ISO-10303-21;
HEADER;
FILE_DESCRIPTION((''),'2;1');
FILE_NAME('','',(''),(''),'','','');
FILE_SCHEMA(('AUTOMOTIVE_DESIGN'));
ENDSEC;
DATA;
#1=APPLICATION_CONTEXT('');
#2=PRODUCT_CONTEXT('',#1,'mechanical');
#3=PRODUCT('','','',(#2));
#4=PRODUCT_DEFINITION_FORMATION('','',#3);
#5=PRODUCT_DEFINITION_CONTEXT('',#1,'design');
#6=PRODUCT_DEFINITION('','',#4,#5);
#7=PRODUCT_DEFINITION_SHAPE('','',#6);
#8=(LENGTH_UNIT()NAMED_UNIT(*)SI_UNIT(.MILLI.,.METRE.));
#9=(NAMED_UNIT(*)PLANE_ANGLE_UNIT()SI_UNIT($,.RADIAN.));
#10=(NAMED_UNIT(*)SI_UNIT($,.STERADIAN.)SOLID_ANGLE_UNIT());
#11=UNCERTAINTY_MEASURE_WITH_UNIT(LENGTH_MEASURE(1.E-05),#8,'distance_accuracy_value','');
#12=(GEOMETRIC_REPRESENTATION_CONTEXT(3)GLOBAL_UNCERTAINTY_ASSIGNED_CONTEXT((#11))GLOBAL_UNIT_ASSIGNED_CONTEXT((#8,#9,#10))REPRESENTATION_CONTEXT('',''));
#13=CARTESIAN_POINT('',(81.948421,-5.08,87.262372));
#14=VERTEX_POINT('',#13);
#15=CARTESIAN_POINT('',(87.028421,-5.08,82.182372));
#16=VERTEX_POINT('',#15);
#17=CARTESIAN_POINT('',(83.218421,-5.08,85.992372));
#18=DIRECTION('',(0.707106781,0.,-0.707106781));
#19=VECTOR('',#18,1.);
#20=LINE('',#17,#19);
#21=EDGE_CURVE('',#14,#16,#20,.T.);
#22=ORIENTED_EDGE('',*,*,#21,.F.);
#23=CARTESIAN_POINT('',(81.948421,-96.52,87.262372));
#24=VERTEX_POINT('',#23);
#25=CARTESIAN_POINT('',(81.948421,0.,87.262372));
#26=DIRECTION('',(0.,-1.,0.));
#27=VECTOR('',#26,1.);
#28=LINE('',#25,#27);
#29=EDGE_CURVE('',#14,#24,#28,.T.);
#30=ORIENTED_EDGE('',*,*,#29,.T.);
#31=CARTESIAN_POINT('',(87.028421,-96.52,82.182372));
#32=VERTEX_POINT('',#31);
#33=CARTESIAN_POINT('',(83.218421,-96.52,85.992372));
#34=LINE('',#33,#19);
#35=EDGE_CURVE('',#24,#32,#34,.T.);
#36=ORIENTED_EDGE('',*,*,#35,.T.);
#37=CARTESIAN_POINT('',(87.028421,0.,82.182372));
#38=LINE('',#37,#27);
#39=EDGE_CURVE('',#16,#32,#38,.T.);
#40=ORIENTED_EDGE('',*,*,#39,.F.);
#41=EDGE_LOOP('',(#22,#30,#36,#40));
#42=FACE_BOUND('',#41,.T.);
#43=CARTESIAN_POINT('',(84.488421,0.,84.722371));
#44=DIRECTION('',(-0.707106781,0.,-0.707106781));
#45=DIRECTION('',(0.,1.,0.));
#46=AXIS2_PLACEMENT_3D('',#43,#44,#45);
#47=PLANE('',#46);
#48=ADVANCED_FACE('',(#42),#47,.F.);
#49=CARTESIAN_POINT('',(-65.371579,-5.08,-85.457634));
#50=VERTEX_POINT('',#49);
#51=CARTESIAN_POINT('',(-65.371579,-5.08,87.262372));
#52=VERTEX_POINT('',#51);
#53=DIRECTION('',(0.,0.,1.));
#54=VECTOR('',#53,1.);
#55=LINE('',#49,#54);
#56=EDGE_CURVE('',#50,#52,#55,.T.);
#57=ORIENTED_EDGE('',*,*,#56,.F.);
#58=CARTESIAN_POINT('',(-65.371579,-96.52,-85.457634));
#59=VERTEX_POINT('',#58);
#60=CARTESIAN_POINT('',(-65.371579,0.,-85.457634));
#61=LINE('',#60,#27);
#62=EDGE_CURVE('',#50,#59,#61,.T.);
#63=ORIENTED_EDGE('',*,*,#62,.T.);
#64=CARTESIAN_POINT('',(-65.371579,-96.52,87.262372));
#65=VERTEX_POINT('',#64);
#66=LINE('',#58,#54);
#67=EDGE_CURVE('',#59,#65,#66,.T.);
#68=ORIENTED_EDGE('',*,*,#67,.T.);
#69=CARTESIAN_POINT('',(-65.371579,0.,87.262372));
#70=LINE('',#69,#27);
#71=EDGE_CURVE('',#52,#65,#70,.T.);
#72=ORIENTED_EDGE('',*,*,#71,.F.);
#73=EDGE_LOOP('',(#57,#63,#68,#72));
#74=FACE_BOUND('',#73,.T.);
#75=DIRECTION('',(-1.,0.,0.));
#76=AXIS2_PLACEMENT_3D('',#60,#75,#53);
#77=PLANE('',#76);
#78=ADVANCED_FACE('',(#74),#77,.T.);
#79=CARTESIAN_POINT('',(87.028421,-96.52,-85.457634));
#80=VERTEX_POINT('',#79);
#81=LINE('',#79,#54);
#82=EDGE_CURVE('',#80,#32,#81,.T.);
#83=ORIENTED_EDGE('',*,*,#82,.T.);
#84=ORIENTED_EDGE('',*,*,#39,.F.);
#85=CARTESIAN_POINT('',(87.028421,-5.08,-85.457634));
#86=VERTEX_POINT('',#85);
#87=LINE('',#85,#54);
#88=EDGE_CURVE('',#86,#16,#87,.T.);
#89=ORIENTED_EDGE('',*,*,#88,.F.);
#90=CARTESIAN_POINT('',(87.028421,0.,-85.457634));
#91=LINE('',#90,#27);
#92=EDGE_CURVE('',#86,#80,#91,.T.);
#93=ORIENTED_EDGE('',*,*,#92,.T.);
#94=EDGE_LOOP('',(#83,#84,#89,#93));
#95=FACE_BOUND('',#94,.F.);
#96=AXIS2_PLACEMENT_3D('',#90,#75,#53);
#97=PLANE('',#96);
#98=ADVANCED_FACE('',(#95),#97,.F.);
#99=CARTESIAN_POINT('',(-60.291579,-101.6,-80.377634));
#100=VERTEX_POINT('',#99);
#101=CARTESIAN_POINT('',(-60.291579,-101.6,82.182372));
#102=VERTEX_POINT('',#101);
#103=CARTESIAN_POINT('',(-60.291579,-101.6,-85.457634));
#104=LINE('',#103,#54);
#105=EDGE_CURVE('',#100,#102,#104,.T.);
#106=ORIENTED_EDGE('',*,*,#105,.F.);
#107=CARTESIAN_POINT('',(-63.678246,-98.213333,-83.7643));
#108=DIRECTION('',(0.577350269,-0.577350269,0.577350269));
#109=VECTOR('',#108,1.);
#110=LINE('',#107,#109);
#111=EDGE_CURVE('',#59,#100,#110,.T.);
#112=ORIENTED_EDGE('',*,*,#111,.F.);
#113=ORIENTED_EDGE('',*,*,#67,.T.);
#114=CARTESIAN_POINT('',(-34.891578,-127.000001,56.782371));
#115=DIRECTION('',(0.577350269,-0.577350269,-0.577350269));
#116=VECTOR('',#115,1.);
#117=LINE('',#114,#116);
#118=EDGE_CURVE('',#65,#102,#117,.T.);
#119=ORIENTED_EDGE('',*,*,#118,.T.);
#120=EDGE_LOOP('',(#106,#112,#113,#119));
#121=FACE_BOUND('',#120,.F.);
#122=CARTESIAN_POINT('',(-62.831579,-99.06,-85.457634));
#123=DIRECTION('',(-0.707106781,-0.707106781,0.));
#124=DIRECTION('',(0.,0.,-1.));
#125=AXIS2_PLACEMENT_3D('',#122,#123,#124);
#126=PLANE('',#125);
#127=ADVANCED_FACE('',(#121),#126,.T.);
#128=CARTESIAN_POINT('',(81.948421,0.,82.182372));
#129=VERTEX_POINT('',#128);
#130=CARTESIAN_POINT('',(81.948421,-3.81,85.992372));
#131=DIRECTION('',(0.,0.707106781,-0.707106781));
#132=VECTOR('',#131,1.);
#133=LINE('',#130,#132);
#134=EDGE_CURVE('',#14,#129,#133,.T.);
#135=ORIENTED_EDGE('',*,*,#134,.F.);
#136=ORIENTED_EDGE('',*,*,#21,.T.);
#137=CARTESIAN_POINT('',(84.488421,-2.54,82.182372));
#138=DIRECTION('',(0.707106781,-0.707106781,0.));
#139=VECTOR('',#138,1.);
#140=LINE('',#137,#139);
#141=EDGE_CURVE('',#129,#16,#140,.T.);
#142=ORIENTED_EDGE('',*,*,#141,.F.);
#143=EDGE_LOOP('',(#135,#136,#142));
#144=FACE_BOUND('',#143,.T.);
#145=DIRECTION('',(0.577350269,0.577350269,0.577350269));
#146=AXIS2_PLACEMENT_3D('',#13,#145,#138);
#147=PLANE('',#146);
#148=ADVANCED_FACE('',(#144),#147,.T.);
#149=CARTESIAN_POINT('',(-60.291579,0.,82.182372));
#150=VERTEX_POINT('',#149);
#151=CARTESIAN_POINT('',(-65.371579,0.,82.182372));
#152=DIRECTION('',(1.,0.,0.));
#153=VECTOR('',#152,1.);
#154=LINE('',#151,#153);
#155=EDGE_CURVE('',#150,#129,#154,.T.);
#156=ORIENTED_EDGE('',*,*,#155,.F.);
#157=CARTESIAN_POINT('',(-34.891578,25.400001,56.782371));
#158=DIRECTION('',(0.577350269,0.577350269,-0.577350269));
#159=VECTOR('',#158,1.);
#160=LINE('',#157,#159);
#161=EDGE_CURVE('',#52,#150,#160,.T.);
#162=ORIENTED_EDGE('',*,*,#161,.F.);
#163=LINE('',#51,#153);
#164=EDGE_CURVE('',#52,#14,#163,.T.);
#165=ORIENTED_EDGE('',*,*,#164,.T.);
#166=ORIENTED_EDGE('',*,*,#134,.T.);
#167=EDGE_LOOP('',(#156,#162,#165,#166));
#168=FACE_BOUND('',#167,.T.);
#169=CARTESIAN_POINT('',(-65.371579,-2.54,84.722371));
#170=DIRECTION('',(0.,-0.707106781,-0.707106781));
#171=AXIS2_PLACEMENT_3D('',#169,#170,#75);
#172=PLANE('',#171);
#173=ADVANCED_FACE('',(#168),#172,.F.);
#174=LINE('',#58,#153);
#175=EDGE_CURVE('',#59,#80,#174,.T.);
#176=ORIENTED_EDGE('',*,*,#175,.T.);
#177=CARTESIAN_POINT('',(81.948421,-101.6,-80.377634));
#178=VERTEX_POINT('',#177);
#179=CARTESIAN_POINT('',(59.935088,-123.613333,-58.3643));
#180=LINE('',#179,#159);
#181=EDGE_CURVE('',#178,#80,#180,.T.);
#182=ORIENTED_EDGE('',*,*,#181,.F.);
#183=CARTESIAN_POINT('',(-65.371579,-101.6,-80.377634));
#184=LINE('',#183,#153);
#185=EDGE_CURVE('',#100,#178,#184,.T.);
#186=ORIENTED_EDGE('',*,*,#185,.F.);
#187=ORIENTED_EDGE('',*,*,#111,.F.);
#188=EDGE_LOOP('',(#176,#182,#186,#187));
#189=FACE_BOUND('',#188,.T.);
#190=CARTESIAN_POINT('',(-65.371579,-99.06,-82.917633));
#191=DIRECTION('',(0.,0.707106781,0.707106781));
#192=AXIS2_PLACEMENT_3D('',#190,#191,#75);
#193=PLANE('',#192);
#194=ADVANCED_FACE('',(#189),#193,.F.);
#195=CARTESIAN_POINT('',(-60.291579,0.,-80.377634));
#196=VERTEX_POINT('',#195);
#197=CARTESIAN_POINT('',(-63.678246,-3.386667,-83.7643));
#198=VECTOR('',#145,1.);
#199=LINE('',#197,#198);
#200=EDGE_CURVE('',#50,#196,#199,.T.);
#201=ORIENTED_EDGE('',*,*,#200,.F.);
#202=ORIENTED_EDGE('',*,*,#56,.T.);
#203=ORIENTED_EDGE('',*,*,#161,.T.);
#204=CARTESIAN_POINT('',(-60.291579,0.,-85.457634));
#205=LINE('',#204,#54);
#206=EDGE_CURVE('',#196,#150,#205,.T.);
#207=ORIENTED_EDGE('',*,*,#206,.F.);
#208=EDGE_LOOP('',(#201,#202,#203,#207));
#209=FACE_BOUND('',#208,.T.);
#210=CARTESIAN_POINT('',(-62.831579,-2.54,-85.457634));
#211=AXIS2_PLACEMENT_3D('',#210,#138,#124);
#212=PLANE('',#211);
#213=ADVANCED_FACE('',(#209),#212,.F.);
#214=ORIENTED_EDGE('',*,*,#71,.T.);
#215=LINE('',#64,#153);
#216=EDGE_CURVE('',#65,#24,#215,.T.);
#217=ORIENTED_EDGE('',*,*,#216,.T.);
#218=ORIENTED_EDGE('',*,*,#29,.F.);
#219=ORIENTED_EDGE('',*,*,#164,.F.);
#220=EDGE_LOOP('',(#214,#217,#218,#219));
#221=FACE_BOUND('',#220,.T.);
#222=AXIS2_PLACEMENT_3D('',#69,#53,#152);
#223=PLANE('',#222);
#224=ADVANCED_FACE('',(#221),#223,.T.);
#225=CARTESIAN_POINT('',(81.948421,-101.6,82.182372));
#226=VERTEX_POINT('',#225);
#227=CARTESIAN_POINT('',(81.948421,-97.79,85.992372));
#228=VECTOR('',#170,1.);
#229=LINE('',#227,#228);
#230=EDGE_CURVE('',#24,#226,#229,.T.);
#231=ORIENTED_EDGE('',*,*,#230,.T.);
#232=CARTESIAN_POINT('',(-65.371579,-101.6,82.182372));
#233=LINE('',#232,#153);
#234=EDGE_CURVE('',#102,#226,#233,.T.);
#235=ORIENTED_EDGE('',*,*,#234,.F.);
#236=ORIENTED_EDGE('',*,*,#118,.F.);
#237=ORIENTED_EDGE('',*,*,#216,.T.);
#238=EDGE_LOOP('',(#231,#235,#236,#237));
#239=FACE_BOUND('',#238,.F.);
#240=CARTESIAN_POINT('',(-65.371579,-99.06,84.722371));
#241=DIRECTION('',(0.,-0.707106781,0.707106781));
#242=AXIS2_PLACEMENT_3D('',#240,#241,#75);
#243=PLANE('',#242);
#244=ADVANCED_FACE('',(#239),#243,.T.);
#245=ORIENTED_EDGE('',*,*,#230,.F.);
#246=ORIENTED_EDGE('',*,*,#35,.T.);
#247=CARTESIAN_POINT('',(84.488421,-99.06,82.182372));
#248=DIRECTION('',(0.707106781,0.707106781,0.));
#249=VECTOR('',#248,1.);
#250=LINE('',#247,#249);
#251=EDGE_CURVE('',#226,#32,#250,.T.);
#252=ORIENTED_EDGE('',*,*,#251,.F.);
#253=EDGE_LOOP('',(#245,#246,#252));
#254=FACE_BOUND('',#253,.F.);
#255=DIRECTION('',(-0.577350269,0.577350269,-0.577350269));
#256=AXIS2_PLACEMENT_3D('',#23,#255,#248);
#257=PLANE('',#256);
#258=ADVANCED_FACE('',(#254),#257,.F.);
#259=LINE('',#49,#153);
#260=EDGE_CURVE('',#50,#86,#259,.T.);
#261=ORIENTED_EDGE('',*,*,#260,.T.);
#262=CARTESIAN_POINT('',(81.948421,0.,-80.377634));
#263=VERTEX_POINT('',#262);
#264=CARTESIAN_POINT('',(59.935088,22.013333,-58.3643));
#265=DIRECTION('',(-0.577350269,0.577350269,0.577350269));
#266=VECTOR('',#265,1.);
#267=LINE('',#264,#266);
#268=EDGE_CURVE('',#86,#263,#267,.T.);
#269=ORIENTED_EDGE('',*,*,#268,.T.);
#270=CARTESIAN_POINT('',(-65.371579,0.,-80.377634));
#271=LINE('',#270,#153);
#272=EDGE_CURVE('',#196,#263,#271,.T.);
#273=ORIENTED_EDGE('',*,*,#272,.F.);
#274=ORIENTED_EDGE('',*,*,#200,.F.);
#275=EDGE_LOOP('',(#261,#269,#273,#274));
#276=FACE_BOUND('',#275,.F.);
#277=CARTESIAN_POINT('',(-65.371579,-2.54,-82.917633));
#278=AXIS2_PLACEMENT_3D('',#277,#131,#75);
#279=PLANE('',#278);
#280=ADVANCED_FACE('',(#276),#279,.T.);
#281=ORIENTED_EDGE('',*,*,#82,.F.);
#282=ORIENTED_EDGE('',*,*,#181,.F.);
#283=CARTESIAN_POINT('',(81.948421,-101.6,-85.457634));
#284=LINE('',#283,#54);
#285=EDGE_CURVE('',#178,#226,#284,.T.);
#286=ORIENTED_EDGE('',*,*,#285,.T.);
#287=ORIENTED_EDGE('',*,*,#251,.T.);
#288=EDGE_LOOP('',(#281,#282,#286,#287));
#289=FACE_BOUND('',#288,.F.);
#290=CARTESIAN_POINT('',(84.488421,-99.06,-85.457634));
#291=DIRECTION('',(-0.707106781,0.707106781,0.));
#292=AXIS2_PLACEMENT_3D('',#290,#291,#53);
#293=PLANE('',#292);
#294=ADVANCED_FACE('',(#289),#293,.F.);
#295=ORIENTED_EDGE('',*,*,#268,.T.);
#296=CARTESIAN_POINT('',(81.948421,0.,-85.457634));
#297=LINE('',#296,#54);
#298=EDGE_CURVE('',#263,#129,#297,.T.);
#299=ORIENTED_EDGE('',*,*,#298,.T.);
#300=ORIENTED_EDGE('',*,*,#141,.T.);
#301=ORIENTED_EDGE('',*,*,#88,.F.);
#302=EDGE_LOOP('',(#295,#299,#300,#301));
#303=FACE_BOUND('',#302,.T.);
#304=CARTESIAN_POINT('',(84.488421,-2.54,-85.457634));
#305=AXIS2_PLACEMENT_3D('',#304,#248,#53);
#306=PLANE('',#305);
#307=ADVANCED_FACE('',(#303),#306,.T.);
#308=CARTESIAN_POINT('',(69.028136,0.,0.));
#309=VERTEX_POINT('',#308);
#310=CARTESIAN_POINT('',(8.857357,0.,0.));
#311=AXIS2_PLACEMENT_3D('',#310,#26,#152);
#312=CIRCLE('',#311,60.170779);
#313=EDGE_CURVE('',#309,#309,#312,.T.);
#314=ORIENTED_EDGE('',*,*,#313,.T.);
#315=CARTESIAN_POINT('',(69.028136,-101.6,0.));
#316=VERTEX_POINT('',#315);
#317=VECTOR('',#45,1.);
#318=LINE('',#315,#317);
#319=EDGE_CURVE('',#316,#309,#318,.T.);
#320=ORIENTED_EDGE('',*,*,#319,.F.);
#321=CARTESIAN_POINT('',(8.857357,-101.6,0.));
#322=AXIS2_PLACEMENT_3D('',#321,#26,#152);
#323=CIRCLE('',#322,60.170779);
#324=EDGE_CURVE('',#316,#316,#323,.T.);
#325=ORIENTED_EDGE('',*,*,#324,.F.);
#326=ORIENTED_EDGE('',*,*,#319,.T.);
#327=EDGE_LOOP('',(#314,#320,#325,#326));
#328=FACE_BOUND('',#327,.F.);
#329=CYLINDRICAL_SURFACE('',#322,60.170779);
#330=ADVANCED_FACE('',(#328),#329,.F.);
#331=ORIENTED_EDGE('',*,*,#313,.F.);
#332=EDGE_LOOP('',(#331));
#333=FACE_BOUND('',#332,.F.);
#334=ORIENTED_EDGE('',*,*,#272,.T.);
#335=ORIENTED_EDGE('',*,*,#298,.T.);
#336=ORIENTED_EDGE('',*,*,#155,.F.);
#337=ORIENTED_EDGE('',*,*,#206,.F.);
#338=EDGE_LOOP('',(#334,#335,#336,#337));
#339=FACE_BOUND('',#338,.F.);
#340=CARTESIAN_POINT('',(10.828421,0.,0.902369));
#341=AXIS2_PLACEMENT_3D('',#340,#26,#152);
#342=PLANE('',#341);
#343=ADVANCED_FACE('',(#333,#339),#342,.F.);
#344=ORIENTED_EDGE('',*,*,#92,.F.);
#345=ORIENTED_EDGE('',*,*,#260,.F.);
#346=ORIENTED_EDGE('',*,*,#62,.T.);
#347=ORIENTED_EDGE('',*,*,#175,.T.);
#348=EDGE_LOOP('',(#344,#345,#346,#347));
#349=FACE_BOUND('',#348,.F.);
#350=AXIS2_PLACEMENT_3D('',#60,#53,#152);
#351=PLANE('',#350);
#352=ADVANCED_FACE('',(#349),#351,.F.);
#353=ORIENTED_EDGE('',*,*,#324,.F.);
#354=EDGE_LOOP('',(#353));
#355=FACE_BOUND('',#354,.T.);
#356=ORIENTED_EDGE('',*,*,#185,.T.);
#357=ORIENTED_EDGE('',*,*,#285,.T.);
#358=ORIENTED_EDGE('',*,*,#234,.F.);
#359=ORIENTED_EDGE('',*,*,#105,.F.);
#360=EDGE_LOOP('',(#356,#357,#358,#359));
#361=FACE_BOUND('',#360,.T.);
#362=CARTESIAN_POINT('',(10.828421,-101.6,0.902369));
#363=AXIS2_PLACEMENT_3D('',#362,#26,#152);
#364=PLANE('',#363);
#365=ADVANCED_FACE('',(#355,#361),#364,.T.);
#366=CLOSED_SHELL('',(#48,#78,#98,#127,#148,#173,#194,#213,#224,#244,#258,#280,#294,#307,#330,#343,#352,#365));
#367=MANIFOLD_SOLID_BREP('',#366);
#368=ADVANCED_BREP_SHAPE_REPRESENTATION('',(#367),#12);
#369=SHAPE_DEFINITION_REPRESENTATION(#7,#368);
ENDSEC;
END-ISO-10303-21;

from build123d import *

# Parameters (mm, degrees)
F0_W     = 152.4
F0_H     = 172.720005
F1_DEPTH = 101.6
F2_R     = 60.170779
F3_DEPTH = 101.601
F4_SIZE  = 5.08


with BuildPart() as f1:
    # F0 (on Front) → F1 (new body)
    with BuildSketch(Plane.XZ):
        with Locations((10.828421, 0.902369)):
            Rectangle(F0_W, F0_H)
    extrude(amount=F1_DEPTH)

    # F2 (on face) → F3 (cut, through all)
    with BuildSketch(Plane.XZ.offset(101.6)):
        with Locations((8.857357, 0)):
            Circle(F2_R)
    extrude(amount=-F3_DEPTH, mode=Mode.SUBTRACT)

    # F4
    f4_edges = [f1.edges().sort_by_distance(p)[0] for p in [
        (87.028421, -101.6, 0.90237),
        (10.828421, -101.6, 87.262372),
        (10.828421, -101.6, -85.457633),
        (-65.371579, -101.6, 0.90237),
        (10.828421, 0, -85.457633),
        (-65.371579, 0, 0.90237),
        (87.028421, 0, 0.90237),
        (10.828421, 0, 87.262372),
        (87.028421, -50.8, 87.262372),
    ]]
    chamfer(f4_edges, length=F4_SIZE)


solid = f1.part
